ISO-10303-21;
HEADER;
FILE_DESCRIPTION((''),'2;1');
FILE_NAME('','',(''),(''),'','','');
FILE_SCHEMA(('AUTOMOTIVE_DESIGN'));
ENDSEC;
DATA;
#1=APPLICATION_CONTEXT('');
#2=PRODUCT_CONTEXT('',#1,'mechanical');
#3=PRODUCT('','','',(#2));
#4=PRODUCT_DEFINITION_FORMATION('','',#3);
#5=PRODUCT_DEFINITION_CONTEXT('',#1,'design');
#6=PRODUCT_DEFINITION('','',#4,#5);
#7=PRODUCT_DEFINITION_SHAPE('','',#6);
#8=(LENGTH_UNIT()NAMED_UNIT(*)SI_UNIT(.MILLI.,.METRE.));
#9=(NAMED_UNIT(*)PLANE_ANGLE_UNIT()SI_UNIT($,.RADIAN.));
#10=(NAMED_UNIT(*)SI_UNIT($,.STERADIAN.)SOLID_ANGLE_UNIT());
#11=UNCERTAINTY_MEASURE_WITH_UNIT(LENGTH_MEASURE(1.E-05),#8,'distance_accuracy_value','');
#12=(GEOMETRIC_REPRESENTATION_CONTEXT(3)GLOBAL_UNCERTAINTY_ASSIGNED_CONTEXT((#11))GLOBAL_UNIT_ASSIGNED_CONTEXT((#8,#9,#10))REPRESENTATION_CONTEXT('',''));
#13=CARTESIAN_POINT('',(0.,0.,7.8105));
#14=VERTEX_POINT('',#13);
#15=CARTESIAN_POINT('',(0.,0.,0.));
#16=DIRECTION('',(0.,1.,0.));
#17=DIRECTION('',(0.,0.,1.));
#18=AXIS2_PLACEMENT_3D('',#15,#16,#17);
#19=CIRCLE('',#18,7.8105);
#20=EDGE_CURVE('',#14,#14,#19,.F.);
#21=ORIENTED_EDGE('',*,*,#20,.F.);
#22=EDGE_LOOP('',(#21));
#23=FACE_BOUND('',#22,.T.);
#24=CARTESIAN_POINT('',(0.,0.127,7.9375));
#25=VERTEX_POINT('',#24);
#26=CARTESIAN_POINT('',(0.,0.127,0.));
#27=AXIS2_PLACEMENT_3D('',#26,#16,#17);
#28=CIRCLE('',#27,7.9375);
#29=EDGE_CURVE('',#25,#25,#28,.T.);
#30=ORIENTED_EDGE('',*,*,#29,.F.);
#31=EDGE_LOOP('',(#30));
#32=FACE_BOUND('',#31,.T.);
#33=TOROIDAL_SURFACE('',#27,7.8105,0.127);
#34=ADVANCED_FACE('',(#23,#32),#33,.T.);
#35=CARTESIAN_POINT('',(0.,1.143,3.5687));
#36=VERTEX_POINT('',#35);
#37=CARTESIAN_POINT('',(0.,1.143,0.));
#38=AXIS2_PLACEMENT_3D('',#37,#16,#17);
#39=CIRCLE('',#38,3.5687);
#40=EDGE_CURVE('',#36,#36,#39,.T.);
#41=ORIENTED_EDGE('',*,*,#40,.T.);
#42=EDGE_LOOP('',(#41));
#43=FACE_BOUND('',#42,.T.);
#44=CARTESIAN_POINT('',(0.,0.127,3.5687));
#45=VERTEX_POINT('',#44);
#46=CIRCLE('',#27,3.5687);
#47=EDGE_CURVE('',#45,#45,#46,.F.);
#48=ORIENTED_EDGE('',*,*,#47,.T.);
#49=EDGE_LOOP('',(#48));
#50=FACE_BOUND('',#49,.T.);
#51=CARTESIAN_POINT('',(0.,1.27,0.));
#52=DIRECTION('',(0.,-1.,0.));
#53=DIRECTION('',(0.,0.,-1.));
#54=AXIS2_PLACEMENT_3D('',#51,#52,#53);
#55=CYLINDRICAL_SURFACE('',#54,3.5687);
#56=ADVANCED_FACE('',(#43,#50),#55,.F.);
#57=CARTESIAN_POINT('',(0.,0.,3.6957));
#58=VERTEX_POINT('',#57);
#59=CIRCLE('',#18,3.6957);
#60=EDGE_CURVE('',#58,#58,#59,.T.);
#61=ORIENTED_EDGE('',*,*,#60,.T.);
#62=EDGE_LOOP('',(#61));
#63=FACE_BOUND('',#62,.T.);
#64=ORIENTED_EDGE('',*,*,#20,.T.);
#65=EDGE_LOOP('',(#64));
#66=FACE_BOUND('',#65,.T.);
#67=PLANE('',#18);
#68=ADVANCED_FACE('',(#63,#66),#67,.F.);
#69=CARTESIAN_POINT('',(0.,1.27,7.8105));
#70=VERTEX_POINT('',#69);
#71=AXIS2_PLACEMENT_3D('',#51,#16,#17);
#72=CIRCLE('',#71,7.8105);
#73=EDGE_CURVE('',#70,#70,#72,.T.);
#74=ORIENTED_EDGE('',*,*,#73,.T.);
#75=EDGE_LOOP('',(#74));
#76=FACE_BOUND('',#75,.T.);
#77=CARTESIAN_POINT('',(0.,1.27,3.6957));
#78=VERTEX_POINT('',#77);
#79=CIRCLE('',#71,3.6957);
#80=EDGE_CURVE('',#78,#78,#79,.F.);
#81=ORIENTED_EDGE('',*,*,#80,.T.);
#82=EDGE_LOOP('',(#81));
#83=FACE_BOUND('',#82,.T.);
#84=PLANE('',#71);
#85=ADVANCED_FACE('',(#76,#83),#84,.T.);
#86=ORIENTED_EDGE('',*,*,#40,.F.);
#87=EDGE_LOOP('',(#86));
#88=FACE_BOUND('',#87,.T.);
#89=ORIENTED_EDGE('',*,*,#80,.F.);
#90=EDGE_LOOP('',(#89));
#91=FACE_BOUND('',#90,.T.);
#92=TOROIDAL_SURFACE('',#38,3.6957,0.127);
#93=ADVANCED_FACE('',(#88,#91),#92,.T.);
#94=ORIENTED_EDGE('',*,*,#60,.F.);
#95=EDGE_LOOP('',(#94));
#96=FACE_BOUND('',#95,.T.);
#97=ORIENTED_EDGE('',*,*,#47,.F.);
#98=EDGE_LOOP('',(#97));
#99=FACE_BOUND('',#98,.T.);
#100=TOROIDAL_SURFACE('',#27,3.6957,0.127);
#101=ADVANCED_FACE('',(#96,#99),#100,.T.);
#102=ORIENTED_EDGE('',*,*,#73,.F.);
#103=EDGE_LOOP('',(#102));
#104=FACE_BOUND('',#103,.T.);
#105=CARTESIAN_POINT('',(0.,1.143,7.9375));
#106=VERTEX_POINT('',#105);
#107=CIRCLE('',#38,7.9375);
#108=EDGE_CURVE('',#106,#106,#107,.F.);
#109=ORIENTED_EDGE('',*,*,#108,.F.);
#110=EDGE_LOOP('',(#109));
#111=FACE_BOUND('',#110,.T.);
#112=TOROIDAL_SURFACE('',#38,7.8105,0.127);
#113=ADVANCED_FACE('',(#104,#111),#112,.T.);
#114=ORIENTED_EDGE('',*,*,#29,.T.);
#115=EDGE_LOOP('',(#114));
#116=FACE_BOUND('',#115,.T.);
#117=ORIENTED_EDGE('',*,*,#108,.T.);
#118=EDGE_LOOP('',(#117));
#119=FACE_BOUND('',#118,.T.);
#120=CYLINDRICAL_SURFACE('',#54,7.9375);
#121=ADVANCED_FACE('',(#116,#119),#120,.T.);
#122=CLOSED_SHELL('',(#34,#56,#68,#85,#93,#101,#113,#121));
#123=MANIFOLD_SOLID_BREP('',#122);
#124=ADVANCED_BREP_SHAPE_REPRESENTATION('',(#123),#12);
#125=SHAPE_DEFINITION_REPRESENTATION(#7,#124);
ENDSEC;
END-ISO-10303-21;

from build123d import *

# Parameters (mm, degrees)
SKETCH1_R           = 7.9375
SKETCH1_R_2         = 3.5687
BOSS_EXTRUDE1_DEPTH = 1.27
FILLET1_R           = 0.127


with BuildPart() as part:
    # Sketch1 → Boss-Extrude1 (new body)
    with BuildSketch(Plane(origin=(0, 0, 0), x_dir=(1, 0, 0), z_dir=(0, 1, 0))):
        with Locations(Location((0, 0, 0), (0, 0, 270))):
            Circle(SKETCH1_R)
        with Locations(Location((0, 0, 0), (0, 0, 270))):
            Circle(SKETCH1_R_2, mode=Mode.SUBTRACT)
    extrude(amount=BOSS_EXTRUDE1_DEPTH)

    # Fillet1
    fillet1_edges = [part.edges().sort_by_distance(p)[0] for p in [
        (0, 0, -7.9375),
        (0, 1.27, -7.9375),
        (0, 0, -3.5687),
        (0, 1.27, -3.5687),
    ]]
    fillet(fillet1_edges, radius=FILLET1_R)


solid = part.part
